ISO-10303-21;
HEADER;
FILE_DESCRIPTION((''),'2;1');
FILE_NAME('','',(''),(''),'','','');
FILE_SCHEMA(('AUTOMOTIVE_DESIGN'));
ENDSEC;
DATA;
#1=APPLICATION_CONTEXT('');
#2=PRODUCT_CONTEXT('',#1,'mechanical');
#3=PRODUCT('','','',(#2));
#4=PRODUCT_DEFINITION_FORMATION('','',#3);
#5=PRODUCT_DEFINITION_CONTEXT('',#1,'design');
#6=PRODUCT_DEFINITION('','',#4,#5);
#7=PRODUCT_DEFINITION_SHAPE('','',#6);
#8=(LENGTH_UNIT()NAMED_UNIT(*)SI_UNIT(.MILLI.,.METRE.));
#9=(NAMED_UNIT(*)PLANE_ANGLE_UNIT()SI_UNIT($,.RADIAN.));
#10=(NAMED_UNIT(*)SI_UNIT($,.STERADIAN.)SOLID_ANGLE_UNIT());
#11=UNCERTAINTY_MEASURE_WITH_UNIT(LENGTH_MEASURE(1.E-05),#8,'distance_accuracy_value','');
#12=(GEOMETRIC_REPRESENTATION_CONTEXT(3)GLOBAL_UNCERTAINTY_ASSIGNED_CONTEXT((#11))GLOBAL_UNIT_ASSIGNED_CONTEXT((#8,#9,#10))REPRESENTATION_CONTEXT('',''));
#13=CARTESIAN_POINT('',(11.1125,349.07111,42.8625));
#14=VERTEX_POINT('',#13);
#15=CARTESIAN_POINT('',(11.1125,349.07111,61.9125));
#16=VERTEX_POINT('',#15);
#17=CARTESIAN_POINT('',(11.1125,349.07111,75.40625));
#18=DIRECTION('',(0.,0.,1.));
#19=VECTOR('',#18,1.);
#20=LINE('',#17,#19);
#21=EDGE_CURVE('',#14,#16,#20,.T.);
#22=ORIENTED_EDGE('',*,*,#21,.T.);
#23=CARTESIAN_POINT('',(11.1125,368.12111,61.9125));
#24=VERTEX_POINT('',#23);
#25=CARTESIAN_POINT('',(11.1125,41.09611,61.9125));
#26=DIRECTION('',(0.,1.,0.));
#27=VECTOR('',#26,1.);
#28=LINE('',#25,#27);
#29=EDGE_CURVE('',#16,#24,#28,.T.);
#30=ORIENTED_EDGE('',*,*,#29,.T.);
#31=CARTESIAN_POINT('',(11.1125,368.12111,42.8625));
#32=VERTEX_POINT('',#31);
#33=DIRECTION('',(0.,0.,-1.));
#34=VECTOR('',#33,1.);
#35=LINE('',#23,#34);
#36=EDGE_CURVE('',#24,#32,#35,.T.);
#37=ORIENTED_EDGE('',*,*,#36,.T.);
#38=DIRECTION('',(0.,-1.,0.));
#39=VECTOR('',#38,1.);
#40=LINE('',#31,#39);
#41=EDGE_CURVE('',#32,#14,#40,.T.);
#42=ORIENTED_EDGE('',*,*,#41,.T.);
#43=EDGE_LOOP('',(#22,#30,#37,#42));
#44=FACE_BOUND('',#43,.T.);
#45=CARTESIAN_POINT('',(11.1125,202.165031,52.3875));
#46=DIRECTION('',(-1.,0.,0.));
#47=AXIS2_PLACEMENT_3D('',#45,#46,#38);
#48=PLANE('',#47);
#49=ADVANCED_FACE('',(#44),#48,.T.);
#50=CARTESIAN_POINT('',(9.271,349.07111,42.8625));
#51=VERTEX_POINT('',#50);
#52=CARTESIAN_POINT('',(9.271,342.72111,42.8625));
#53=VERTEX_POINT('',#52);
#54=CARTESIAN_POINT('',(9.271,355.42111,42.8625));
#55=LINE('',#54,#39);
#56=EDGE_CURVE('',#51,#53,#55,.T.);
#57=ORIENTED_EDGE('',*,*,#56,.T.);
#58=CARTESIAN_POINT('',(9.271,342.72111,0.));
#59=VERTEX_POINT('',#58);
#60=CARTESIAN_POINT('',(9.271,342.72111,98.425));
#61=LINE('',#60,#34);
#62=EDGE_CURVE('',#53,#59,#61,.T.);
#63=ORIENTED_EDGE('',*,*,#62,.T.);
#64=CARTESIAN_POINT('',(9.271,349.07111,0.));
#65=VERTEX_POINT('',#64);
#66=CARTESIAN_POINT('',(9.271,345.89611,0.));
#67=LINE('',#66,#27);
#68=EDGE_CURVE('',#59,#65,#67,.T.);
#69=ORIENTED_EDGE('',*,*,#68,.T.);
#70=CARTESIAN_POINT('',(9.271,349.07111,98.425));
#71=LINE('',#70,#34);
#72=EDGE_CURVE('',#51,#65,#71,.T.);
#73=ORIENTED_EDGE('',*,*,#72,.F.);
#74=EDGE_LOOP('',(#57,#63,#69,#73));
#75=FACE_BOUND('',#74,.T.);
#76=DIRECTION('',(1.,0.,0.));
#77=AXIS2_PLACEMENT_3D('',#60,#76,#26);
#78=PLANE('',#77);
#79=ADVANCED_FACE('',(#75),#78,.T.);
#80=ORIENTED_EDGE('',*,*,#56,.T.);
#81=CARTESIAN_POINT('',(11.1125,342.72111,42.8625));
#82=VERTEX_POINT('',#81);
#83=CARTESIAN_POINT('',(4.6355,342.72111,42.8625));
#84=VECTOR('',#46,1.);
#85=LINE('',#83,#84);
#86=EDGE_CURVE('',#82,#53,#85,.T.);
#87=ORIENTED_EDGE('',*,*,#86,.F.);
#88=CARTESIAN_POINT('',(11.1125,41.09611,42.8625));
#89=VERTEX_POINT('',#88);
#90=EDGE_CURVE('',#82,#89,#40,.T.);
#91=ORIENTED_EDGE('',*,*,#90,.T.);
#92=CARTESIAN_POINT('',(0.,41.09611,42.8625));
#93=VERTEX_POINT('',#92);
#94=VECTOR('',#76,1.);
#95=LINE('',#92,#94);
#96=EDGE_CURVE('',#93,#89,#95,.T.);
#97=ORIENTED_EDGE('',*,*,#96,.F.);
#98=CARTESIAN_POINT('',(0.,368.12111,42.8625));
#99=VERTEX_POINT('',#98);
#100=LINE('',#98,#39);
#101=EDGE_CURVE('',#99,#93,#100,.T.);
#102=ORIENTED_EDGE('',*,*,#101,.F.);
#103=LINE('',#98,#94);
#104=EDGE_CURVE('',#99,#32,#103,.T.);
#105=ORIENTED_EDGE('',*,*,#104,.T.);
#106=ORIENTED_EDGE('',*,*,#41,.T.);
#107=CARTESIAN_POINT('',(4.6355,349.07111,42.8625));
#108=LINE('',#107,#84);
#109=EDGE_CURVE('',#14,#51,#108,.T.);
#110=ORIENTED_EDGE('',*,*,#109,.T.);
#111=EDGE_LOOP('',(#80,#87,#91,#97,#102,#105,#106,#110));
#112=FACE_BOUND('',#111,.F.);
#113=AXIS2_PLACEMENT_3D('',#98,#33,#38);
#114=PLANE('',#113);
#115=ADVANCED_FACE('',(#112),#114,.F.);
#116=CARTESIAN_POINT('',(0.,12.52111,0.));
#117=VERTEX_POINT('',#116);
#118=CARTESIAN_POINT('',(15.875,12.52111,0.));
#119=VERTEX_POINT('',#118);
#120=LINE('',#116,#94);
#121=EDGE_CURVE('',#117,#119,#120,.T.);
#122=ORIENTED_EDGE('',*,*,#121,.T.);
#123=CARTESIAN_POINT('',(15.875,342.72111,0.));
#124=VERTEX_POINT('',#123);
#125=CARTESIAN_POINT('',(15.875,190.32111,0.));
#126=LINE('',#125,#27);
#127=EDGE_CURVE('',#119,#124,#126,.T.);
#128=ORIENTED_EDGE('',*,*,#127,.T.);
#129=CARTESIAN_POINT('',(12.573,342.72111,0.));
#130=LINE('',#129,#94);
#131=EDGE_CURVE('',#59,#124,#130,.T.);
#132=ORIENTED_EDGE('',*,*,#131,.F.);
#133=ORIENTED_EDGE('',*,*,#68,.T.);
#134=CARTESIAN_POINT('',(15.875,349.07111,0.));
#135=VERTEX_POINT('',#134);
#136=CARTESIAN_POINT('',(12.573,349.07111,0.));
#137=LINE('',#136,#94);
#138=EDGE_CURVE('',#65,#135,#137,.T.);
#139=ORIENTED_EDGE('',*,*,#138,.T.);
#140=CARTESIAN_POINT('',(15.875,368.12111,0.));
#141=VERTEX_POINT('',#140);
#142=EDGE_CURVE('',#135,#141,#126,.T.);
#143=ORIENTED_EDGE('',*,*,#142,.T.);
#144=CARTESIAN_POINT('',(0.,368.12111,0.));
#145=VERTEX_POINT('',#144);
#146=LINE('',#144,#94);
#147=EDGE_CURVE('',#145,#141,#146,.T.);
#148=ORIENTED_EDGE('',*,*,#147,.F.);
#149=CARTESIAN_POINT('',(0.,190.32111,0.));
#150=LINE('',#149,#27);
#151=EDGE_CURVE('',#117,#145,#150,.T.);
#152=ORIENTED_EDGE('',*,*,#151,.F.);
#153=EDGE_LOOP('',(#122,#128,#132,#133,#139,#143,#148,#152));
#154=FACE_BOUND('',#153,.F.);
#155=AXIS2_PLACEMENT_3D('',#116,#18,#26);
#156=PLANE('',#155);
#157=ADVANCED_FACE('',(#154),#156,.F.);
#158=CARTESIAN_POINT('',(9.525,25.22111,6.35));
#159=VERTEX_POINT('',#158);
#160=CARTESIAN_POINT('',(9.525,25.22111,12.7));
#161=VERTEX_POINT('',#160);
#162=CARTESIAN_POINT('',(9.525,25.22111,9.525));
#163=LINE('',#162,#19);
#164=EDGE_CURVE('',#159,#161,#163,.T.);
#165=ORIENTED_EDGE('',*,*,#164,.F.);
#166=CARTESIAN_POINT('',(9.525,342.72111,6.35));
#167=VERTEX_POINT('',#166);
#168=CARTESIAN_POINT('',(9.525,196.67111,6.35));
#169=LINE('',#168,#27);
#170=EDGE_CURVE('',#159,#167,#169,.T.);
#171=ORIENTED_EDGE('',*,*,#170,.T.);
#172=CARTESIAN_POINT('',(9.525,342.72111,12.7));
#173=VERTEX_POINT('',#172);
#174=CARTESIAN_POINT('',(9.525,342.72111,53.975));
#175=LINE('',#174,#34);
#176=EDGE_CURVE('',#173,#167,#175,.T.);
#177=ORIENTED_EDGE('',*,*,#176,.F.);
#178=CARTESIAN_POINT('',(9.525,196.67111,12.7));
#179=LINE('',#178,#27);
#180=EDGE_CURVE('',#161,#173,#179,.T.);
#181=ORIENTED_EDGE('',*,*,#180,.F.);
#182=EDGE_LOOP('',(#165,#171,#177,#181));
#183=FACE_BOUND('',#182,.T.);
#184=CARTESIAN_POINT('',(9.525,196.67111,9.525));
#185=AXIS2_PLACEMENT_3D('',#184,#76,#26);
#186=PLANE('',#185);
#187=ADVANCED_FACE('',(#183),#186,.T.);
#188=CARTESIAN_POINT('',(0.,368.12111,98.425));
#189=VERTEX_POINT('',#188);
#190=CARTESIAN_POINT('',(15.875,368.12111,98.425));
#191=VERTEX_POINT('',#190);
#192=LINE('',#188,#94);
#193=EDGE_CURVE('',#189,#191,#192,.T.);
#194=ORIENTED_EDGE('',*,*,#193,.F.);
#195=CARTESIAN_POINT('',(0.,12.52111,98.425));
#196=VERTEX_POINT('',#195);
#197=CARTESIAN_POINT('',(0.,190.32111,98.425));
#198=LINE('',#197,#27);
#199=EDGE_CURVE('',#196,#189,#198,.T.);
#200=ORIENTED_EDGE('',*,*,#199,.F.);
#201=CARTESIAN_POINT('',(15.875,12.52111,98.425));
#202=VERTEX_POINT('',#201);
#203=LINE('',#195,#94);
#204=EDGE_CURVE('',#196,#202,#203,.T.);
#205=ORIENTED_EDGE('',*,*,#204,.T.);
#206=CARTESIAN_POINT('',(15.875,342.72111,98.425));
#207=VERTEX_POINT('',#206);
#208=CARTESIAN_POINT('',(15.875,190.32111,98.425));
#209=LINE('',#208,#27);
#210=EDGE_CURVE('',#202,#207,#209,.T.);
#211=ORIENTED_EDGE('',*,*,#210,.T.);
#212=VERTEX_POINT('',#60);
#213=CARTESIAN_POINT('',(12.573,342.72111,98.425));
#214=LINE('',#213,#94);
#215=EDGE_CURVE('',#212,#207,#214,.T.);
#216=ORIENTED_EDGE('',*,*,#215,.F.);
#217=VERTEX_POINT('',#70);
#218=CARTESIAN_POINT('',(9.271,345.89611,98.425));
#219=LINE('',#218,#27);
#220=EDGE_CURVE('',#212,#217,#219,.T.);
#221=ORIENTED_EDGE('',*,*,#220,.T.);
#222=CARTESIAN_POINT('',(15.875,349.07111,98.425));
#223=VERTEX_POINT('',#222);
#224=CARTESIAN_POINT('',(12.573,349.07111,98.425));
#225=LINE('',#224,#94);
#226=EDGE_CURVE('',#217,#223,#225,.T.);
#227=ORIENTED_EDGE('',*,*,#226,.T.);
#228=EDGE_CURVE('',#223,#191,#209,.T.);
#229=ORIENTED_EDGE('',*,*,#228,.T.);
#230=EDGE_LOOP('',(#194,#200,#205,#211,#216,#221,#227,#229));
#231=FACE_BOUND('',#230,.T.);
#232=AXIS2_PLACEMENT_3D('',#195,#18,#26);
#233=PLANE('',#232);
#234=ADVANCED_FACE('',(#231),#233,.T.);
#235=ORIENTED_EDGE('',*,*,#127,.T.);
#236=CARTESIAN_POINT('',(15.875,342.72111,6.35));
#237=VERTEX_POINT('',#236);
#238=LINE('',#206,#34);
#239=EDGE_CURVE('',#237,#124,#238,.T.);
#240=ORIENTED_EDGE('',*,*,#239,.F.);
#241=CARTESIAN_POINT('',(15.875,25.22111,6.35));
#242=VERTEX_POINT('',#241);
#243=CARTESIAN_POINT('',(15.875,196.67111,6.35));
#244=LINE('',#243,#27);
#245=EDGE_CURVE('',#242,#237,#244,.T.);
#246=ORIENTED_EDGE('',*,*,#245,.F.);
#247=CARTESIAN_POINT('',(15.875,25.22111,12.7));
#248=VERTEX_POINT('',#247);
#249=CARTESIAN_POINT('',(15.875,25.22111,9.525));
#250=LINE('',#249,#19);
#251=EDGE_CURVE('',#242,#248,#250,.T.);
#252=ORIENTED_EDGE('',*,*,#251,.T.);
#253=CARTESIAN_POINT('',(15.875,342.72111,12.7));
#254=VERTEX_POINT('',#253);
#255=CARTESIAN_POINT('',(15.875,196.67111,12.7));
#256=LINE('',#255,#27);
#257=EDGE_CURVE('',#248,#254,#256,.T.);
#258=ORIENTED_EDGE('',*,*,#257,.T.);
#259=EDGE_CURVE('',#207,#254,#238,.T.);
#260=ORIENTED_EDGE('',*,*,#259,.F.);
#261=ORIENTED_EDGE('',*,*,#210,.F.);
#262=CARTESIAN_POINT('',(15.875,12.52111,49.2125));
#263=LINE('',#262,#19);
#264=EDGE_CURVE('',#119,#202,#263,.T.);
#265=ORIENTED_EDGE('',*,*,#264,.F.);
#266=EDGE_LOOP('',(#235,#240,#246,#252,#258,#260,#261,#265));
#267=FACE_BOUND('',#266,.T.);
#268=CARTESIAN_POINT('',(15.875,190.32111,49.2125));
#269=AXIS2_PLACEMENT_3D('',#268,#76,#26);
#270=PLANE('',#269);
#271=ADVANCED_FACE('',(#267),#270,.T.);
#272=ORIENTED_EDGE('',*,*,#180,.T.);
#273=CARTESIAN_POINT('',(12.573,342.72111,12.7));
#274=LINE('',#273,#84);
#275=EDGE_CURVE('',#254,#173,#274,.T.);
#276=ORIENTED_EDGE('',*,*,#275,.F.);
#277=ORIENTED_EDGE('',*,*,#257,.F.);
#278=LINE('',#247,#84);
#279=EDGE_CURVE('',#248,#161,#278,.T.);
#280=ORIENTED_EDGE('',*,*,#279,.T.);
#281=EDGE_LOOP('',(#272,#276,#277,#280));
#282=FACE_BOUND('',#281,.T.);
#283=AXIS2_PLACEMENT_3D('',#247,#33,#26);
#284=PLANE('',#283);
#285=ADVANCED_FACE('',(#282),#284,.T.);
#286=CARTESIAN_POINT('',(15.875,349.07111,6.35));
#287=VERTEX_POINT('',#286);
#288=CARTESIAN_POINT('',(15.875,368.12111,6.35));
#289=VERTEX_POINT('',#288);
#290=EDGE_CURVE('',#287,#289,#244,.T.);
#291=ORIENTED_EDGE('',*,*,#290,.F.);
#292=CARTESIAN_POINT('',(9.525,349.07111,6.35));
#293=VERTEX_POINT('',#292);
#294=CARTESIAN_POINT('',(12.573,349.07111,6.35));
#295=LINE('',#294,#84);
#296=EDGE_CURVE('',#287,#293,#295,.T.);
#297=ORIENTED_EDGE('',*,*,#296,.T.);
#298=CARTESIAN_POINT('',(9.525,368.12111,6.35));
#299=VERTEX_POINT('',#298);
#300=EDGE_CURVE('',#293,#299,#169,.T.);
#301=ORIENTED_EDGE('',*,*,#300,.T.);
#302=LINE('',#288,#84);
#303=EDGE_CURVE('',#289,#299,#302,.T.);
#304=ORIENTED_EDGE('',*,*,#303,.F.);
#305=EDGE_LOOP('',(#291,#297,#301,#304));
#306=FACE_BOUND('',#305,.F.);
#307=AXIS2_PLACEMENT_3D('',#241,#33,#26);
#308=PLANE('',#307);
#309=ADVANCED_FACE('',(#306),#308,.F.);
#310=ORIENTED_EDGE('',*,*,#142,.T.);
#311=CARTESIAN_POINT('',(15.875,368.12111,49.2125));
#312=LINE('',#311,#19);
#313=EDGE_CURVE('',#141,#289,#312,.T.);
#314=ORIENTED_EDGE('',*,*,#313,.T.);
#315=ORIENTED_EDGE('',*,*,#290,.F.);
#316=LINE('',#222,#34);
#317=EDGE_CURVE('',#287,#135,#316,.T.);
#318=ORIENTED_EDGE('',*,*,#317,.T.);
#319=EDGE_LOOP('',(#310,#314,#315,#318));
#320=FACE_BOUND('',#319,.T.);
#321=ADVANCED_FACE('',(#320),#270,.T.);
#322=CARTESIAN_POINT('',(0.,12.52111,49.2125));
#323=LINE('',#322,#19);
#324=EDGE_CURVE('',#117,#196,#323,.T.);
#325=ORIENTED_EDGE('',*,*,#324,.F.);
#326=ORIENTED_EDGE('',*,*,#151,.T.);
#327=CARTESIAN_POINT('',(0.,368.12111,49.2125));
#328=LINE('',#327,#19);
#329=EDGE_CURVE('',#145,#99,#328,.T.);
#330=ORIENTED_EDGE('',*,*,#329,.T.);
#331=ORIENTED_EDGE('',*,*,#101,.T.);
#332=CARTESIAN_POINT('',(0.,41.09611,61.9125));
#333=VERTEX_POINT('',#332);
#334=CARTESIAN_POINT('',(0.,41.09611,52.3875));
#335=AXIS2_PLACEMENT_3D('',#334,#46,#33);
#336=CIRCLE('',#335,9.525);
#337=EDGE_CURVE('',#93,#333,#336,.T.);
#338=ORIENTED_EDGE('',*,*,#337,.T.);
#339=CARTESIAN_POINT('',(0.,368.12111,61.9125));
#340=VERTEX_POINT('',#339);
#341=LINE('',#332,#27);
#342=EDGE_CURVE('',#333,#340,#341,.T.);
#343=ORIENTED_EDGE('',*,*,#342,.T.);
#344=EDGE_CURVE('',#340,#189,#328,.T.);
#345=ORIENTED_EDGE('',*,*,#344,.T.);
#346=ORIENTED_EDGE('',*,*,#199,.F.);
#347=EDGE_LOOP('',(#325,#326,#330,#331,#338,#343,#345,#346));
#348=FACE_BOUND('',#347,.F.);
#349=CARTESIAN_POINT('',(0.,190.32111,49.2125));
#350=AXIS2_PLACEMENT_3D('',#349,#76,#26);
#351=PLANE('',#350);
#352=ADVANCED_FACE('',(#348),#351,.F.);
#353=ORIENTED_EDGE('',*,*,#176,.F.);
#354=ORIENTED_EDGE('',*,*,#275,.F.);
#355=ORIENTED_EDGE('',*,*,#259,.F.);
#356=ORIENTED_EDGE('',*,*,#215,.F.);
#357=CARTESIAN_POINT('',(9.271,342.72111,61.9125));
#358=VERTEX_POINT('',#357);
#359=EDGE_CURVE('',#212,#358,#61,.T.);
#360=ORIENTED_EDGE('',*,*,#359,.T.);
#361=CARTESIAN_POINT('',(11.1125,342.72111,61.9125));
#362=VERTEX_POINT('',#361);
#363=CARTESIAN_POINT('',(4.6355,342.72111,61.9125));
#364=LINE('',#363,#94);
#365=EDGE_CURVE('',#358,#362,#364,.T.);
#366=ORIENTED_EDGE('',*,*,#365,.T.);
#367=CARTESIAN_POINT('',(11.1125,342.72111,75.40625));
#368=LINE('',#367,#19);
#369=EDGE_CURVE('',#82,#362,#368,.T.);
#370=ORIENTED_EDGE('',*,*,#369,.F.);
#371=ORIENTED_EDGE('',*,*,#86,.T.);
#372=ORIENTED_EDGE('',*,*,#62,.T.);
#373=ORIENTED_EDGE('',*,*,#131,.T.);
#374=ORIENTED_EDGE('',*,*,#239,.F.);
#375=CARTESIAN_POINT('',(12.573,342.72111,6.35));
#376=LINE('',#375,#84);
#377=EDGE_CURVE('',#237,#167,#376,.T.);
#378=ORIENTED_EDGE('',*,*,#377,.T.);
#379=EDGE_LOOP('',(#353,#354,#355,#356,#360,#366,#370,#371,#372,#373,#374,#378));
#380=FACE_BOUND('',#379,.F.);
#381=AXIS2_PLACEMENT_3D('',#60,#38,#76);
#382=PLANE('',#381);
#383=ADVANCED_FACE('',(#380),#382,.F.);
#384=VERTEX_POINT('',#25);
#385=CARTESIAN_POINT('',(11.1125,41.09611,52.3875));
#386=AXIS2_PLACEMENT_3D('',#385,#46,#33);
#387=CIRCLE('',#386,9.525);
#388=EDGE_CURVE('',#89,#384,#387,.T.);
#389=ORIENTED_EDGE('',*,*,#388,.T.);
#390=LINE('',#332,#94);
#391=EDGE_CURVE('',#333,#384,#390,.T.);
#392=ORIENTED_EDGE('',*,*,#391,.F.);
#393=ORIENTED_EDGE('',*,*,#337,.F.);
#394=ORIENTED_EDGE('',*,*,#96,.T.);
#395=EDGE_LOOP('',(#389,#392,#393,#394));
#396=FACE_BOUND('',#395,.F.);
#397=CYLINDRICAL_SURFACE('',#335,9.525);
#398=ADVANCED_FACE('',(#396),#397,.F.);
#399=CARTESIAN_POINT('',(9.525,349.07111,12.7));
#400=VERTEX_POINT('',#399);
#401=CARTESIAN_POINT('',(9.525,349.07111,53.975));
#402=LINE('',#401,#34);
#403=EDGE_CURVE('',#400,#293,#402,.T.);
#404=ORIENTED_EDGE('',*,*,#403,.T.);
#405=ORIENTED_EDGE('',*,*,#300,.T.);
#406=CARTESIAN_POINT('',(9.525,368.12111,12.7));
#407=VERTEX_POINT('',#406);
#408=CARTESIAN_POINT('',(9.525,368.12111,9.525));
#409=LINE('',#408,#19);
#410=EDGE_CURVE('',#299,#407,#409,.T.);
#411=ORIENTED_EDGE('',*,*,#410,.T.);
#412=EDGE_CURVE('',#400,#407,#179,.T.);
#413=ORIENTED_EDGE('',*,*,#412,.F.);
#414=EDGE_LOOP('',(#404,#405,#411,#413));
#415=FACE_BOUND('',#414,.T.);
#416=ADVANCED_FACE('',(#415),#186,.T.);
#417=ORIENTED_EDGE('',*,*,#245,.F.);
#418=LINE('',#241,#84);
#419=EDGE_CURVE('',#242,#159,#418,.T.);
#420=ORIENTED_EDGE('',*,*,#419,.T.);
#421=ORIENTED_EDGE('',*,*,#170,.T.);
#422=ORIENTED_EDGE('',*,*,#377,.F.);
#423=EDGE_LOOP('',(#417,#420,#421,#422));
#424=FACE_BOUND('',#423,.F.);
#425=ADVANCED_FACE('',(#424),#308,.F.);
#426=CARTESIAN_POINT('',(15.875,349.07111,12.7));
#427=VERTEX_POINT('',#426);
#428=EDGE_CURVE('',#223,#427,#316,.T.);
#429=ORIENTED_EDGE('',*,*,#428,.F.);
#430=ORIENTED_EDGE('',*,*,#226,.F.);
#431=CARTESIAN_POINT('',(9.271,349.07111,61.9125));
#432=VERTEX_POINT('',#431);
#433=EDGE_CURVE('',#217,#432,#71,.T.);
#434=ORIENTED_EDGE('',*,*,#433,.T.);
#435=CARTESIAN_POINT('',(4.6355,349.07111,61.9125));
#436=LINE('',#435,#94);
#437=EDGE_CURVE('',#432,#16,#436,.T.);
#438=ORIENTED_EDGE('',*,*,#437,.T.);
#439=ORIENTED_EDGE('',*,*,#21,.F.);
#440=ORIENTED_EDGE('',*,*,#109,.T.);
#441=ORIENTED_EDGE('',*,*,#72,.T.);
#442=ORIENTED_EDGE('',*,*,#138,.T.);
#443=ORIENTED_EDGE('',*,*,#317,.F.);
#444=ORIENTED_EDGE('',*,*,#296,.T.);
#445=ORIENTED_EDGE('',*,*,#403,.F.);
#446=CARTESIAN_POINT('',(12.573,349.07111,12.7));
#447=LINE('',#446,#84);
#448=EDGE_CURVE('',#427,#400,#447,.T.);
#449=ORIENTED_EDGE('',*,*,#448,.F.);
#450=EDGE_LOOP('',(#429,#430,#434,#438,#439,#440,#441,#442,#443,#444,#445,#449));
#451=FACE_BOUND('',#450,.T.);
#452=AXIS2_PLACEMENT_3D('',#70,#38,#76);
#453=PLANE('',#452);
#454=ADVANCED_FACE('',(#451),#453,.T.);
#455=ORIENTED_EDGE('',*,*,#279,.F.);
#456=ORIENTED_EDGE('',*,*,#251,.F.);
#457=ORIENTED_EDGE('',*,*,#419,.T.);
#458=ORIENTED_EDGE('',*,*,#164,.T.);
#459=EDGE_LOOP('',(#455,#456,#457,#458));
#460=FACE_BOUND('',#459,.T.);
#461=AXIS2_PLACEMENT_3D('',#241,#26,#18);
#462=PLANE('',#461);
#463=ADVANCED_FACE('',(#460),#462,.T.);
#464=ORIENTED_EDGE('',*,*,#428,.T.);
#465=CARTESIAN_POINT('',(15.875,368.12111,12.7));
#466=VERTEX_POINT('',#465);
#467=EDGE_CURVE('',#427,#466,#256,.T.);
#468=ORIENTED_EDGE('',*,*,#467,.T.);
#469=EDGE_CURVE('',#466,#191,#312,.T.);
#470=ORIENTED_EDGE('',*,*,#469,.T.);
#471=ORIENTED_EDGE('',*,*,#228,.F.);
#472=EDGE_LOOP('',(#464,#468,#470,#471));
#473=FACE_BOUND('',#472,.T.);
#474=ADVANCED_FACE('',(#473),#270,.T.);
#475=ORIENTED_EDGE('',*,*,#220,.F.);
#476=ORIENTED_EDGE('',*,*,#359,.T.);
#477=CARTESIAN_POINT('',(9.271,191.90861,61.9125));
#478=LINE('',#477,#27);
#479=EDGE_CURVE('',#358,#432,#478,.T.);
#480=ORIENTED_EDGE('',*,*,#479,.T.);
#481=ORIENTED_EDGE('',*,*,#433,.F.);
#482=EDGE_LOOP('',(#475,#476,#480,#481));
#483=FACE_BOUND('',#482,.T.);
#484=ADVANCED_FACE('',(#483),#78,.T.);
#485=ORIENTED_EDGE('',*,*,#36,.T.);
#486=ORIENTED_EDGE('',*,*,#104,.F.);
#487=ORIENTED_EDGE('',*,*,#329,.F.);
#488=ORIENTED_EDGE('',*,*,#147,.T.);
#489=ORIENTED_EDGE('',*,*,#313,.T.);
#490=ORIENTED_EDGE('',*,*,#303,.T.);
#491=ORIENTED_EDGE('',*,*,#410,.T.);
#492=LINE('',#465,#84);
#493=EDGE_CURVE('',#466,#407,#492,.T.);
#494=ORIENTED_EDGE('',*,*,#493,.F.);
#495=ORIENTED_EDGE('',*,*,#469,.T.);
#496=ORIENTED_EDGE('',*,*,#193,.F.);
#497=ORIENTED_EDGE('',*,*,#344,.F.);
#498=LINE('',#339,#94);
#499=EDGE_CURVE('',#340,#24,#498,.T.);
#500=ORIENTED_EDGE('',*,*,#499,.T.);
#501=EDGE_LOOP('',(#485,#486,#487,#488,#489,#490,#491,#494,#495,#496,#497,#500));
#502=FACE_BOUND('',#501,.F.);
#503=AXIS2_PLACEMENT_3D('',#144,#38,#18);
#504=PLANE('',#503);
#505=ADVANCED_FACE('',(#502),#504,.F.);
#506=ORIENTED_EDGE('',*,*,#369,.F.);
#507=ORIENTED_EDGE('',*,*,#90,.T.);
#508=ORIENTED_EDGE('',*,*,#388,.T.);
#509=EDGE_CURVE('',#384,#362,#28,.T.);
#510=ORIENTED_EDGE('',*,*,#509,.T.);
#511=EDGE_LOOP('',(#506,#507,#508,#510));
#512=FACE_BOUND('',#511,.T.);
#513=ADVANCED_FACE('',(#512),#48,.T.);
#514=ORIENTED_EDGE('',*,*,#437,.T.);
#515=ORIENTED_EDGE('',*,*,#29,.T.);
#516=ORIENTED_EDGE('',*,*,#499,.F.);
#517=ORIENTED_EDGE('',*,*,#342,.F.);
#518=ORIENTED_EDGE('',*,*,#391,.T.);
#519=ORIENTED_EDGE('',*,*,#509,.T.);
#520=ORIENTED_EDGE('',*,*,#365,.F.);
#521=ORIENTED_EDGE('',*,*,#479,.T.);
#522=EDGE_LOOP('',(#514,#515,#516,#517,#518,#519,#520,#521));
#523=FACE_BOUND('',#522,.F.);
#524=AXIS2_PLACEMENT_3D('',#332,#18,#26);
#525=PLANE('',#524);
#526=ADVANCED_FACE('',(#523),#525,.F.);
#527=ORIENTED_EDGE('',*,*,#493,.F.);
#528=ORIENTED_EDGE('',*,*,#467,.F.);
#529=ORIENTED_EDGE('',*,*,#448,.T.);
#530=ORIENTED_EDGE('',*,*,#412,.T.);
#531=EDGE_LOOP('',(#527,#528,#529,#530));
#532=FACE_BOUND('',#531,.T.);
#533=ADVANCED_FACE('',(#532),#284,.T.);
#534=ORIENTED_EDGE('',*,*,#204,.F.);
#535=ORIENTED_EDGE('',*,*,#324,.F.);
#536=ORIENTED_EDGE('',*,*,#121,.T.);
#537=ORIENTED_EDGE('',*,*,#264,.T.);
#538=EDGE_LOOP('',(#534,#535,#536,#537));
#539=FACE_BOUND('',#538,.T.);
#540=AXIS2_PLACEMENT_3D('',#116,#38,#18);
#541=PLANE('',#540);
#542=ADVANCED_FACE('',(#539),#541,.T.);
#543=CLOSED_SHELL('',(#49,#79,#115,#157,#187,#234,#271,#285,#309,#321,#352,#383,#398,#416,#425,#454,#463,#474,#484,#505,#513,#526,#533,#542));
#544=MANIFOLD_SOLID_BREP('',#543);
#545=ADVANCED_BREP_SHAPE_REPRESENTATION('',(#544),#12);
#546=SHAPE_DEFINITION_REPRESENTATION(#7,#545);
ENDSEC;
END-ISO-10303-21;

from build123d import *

# Parameters (mm, degrees)
F0_W     = 355.6
F0_H     = 98.425
F1_DEPTH = 15.875
F3_DEPTH = 11.1125
F4_W     = 342.9
F4_H     = 6.35
F5_DEPTH = 6.35
F6_W     = 6.604
F6_H     = 6.35
F7_DEPTH = 98.425


with BuildPart() as f1:
    # F0 (on Right) → F1 (new body)
    with BuildSketch(Plane.YZ):
        with Locations((190.32111, 49.2125)):
            Rectangle(F0_W, F0_H)
    extrude(amount=F1_DEPTH)

    # F2 (on face) → F3 (cut)
    with BuildSketch(Plane(origin=(0, 0, 0), x_dir=(0, -1, 0), z_dir=(-1, 0, 0))):
        with BuildLine():
            ThreePointArc((-41.09611, 42.8625), (-31.57111, 52.3875), (-41.09611, 61.9125))
            Line((-41.09611, 61.9125), (-368.12111, 61.9125))
            Line((-368.12111, 61.9125), (-368.12111, 52.3875))
            Line((-368.12111, 52.3875), (-368.12111, 42.8625))
            Line((-368.12111, 42.8625), (-41.09611, 42.8625))
        make_face()
    extrude(amount=-F3_DEPTH, mode=Mode.SUBTRACT)

    # F4 (on face) → F5 (cut)
    with BuildSketch(Plane.YZ.offset(15.875)):
        with Locations((196.67111, 9.525)):
            Rectangle(F4_W, F4_H)
    extrude(amount=-F5_DEPTH, mode=Mode.SUBTRACT)

    # F6 (on face) → F7 (cut, through all)
    with BuildSketch(Plane.XY.offset(98.425)):
        with Locations((12.573, 345.89611)):
            Rectangle(F6_W, F6_H)
    extrude(amount=-F7_DEPTH, mode=Mode.SUBTRACT)


solid = f1.part
